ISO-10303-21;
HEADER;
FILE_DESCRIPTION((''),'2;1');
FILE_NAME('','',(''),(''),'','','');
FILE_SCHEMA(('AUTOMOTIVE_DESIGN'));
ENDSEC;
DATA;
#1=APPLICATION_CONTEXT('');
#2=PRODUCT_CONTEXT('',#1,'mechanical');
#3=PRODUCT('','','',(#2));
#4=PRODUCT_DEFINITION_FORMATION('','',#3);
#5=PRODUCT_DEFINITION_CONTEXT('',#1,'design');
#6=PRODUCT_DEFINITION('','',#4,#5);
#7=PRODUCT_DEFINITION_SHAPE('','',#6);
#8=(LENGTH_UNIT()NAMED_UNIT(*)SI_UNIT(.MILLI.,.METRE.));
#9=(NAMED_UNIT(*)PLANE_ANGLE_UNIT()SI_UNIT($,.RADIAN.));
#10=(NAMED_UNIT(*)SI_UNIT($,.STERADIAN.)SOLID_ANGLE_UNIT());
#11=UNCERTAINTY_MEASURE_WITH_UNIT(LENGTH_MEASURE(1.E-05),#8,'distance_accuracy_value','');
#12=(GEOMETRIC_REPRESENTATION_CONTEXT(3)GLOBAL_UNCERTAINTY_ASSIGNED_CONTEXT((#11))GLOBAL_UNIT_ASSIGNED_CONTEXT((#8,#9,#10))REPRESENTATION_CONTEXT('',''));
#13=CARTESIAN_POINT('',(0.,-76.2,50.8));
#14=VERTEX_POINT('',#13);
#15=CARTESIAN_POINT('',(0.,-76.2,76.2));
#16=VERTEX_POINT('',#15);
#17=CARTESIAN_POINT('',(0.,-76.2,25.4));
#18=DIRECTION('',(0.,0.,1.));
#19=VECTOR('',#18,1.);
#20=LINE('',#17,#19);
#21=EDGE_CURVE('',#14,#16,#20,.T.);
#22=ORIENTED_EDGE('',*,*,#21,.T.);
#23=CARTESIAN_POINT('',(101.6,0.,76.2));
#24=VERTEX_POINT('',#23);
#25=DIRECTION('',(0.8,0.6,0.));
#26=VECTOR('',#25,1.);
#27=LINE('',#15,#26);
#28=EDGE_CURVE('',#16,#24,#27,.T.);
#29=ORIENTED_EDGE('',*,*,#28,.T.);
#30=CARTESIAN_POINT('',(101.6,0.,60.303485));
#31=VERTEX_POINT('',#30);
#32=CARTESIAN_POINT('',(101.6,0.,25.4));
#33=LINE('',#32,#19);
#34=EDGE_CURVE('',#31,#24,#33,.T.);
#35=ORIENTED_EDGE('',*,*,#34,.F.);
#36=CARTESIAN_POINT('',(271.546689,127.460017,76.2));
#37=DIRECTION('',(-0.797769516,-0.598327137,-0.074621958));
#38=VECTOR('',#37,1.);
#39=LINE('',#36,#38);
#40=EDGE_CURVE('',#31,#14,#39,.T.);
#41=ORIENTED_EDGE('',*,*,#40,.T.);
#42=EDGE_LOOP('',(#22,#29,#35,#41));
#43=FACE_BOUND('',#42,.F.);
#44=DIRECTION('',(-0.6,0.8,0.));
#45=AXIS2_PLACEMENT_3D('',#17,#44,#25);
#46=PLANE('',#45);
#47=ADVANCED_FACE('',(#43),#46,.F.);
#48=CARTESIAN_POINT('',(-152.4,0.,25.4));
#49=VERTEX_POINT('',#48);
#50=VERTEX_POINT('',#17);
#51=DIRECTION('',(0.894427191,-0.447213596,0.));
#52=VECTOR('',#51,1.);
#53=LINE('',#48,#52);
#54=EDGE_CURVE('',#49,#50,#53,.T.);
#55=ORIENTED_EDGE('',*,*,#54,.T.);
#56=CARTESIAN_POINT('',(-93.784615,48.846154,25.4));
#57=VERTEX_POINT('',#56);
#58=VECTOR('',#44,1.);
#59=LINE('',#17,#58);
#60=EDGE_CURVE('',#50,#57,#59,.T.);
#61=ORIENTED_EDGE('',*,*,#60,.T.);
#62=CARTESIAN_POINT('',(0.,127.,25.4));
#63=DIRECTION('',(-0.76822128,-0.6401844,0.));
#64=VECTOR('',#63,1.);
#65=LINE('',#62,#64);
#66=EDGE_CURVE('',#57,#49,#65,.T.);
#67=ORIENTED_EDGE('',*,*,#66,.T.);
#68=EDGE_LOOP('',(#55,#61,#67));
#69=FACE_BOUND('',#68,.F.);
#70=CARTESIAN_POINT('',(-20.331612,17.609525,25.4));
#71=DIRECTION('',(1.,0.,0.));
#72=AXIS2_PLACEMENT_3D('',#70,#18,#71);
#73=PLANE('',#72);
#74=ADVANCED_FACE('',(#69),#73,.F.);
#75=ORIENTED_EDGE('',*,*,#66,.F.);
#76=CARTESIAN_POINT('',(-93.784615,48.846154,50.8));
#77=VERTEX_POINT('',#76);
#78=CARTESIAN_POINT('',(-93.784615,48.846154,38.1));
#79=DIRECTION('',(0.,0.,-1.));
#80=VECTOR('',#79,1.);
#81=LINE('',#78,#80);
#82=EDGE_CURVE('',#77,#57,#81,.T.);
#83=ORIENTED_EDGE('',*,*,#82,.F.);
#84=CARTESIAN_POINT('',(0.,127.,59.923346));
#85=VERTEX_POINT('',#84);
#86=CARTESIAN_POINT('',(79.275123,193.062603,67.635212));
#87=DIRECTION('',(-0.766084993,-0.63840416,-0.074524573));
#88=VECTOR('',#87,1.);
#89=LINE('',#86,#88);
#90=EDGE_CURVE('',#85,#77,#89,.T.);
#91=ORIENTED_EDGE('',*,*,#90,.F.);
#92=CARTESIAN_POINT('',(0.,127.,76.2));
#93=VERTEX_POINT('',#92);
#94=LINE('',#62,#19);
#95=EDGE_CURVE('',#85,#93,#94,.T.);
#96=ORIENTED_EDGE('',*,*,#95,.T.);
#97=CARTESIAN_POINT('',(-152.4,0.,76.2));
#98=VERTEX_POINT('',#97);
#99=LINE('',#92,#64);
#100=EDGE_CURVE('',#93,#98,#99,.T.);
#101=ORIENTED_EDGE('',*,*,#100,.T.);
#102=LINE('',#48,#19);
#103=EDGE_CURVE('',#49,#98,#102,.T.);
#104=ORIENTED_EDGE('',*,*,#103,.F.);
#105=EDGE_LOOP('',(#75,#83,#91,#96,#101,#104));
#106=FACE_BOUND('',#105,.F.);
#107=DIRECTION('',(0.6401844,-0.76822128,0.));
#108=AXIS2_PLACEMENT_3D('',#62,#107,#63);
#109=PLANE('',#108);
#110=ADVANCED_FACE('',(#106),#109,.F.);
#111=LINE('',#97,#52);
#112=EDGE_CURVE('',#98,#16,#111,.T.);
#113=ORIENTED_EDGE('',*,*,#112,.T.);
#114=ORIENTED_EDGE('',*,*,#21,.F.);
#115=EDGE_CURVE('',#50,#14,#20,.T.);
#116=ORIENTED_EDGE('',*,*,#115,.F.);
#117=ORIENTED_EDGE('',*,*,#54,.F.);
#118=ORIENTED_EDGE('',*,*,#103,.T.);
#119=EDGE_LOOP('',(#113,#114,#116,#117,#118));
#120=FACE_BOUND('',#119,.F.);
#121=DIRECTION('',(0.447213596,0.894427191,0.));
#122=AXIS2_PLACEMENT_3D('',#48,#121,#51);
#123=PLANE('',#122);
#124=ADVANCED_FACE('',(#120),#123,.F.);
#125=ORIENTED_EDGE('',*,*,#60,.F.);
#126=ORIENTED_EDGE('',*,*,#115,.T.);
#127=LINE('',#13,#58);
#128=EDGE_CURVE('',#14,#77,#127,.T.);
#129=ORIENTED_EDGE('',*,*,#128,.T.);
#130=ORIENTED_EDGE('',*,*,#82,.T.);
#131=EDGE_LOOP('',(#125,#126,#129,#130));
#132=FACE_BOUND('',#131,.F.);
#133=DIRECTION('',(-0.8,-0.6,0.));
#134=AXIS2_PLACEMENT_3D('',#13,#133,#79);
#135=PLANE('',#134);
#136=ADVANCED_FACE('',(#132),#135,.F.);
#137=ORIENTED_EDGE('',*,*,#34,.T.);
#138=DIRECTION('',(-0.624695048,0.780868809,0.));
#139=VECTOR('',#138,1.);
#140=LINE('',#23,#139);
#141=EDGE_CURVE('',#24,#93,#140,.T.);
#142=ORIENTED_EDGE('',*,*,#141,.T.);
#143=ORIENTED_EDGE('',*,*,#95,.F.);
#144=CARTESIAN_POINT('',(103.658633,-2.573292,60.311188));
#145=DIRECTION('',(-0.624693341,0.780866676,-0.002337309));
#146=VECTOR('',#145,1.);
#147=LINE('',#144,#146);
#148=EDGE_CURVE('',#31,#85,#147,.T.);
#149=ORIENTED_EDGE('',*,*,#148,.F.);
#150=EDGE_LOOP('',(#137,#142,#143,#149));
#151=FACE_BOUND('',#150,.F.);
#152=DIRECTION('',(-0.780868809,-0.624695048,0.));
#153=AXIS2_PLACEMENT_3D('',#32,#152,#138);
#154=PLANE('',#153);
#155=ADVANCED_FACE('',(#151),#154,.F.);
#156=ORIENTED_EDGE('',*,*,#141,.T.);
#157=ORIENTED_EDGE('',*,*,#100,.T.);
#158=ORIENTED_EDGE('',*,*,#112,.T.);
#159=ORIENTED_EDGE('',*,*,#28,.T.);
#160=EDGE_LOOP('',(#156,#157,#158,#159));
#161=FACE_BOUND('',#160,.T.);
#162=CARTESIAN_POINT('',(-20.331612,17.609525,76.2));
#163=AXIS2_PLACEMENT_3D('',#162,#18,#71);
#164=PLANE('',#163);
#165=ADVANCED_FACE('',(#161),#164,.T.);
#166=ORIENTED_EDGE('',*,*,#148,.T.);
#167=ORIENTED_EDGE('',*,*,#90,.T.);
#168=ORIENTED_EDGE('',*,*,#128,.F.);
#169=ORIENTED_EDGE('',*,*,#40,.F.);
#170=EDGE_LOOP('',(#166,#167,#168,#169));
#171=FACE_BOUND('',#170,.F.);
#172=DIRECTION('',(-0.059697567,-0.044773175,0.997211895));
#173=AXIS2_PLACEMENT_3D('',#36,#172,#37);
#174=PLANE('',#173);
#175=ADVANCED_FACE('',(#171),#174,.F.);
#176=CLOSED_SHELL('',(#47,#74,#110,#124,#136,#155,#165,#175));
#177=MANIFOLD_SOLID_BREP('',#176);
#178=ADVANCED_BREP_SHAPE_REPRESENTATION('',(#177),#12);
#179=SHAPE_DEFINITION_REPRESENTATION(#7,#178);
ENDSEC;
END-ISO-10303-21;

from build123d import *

# Parameters (mm, degrees)
F2_DEPTH = 50.8
F4_DEPTH = 254.001


with BuildPart() as f2:
    # F1 (on offset) → F2 (new body)
    with BuildSketch(Plane.XY.offset(25.4)):
        Polygon((0, 127), (-152.4, 0), (0, -76.2), (101.6, 0), align=None)
    extrude(amount=F2_DEPTH)

    # F3 (on face) → F4 (cut, through all)
    with BuildSketch(Plane(origin=(36.576, -48.768, 0), x_dir=(0.8, 0.6, 0), z_dir=(0.6, -0.8, 0))):
        Polygon((-45.72, 25.4), (294.287443, 25.4), (293.713361, 76.2), (-45.72, 50.8), align=None)
    extrude(amount=-F4_DEPTH, mode=Mode.SUBTRACT)


solid = f2.part
